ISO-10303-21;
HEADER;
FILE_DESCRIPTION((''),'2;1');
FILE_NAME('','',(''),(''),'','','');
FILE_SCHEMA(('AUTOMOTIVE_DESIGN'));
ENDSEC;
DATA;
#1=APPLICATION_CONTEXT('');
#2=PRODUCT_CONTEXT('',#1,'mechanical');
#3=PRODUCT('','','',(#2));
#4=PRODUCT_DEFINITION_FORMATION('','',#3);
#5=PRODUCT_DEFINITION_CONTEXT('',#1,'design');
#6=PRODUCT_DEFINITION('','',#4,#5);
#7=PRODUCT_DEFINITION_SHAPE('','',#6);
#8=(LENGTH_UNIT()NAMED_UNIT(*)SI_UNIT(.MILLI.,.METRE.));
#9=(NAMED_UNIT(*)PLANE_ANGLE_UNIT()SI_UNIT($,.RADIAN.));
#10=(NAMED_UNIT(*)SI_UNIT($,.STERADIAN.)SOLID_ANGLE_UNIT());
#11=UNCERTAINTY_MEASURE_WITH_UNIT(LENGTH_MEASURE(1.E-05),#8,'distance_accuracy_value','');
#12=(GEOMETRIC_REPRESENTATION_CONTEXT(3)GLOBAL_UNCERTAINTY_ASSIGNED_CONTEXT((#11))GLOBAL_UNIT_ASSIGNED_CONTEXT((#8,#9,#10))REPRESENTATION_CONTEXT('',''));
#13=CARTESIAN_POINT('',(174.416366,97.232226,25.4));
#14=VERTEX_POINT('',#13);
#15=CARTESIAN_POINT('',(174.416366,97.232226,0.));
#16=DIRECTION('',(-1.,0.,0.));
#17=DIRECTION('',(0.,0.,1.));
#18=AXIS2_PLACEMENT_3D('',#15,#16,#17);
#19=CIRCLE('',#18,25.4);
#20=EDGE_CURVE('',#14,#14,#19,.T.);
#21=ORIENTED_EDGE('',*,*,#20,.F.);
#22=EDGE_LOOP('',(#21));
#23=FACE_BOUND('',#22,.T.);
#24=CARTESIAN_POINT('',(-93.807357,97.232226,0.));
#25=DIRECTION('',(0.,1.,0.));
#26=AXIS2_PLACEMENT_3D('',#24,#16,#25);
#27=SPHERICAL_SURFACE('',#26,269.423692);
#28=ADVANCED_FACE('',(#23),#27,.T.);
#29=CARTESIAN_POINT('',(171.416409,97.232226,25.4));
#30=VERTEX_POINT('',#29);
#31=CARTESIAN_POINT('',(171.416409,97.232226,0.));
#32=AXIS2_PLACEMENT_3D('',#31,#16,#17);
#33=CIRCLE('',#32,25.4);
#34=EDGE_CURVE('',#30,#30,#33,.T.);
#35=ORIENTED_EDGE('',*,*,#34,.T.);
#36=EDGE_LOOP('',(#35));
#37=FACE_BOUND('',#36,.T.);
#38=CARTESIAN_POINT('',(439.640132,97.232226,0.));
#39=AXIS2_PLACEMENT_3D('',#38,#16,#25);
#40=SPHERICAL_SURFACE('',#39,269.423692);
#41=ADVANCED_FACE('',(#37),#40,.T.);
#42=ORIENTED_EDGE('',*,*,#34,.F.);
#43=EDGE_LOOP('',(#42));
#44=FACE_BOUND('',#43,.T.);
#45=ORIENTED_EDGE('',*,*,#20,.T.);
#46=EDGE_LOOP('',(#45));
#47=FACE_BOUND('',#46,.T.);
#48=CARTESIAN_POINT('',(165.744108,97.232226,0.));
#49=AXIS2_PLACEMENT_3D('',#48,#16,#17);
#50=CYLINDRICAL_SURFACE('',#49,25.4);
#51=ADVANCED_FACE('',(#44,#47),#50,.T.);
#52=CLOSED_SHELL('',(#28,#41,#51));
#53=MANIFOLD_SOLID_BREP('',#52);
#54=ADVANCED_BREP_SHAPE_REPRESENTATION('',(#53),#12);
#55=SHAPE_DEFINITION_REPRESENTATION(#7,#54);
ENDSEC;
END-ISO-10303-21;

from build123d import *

# Parameters (mm, degrees)
SKETCH_1_ONE_SIDE_W = 2.999957714
SKETCH_1_ONE_SIDE_H = 25.4


with BuildPart() as part:
    # 草图1 one side → 旋转1 (revolve)
    with BuildSketch(Plane.XY):
        with Locations((172.916387549, 109.932226046)):
            Rectangle(SKETCH_1_ONE_SIDE_W, SKETCH_1_ONE_SIDE_H)
        with BuildLine():
            Line((170.216440121, 97.232226046), (171.416408692, 97.232226046))
            Line((171.416408692, 97.232226046), (171.416408692, 122.632226046))
            ThreePointArc((171.416408692, 122.632226046), (170.516599464, 109.946390633), (170.216440121, 97.232226046))
        make_face()
        with BuildLine():
            Line((174.416366406, 97.232226046), (175.616334978, 97.232226046))
            ThreePointArc((175.616334978, 97.232226046), (175.316175634, 109.946390633), (174.416366406, 122.632226046))
            Line((174.416366406, 122.632226046), (174.416366406, 97.232226046))
        make_face()
    revolve(axis=Axis((165.744107942, 97.232226046, 0), (1, 0, 0)))


solid = part.part
